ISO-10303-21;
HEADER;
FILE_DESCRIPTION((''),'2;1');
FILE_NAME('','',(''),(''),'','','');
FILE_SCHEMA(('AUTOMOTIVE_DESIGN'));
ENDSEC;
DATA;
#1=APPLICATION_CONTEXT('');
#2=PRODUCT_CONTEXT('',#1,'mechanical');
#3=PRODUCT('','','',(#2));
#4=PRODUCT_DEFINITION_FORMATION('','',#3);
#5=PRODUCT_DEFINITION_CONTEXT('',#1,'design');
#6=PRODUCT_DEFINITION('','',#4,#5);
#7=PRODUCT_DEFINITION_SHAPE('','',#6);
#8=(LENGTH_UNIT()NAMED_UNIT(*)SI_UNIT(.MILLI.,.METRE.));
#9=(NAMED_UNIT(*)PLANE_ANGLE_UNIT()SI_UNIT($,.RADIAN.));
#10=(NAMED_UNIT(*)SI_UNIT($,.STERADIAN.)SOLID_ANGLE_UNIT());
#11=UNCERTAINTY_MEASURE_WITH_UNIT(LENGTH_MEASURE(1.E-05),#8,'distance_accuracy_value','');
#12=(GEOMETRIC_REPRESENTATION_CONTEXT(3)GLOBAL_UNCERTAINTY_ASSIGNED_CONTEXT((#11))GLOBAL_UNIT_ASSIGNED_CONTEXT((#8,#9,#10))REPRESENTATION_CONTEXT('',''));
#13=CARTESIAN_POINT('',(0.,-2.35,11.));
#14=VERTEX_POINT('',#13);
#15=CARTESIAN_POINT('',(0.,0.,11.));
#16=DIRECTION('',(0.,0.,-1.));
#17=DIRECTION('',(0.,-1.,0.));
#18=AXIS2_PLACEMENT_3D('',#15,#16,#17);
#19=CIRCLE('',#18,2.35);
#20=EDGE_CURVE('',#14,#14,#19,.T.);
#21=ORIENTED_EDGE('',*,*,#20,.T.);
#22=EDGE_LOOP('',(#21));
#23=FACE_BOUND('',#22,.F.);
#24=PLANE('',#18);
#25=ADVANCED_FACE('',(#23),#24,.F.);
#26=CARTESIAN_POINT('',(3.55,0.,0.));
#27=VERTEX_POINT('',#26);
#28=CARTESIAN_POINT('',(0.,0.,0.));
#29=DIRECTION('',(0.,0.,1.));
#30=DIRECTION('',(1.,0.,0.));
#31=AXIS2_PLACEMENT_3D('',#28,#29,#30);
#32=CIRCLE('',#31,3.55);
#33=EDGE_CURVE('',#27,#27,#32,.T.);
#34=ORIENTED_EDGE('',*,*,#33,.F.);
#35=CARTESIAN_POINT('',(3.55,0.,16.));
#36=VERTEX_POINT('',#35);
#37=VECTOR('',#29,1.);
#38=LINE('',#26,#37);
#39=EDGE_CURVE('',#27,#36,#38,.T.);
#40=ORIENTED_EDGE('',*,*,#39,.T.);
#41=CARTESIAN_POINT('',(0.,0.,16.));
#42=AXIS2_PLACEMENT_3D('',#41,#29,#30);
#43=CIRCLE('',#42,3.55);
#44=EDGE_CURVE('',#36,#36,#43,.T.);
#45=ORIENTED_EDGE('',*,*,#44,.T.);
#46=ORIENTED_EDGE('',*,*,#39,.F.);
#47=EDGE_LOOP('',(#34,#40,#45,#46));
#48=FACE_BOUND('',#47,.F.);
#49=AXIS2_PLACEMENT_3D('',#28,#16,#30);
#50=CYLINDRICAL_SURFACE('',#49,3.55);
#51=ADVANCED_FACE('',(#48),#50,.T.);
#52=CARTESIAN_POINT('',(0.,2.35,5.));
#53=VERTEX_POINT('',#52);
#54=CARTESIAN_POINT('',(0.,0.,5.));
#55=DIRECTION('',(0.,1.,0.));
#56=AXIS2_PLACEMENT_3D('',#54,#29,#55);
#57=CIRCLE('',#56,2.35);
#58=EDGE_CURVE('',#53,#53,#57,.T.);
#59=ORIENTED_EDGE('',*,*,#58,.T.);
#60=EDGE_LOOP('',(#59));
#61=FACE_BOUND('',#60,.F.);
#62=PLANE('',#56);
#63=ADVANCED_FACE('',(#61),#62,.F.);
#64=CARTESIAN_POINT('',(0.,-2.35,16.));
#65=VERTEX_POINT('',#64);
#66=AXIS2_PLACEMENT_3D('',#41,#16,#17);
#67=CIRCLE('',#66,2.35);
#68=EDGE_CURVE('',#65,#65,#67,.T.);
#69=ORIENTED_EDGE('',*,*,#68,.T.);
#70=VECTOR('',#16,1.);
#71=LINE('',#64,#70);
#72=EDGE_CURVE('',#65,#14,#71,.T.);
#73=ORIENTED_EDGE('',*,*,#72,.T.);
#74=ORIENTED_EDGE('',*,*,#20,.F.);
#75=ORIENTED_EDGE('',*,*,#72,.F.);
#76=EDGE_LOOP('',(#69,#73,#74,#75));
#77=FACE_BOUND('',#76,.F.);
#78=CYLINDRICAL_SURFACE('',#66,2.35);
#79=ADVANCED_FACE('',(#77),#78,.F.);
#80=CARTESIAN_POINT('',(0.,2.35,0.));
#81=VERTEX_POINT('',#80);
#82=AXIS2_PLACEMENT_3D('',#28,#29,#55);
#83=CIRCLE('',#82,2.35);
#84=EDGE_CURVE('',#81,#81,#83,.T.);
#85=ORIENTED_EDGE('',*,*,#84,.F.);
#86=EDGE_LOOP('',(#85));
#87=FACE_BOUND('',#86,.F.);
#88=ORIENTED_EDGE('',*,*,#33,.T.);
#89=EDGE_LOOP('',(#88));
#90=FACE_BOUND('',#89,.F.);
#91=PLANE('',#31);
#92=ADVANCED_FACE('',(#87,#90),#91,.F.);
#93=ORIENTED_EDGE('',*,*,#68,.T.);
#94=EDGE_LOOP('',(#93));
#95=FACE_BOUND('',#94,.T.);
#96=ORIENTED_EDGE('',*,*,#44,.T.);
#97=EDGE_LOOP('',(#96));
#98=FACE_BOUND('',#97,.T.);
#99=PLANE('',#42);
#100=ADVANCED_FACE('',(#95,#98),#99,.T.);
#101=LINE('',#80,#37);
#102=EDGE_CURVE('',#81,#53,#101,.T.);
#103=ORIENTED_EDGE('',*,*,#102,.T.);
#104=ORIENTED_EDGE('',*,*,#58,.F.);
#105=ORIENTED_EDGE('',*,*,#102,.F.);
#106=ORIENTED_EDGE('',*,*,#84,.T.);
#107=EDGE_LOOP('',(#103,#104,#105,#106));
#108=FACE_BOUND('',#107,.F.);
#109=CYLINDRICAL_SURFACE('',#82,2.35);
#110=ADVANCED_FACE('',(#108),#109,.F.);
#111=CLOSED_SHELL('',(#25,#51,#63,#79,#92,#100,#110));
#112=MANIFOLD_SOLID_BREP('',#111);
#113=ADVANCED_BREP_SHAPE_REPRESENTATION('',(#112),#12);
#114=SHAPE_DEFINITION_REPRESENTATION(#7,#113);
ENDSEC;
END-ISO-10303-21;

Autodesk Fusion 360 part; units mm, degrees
sketch "Sketch1" plane through (0, 0, 0) normal (0, 0, 1) x (1, 0, 0)
  circle A0 centre (0, 0) radius 3.55
  dimension "d1" = 7.1
extrude "Extrude1" add sketch "Sketch1" along normal blind 16
hole "Hole1" at (0, 0, 16) direction (0, 0, -1) diameter 4.7 depth 5 tip angle 180
hole "Hole2" at (0, 0, 0) direction (0, 0, 1) diameter 4.7 depth 5 tip angle 180
